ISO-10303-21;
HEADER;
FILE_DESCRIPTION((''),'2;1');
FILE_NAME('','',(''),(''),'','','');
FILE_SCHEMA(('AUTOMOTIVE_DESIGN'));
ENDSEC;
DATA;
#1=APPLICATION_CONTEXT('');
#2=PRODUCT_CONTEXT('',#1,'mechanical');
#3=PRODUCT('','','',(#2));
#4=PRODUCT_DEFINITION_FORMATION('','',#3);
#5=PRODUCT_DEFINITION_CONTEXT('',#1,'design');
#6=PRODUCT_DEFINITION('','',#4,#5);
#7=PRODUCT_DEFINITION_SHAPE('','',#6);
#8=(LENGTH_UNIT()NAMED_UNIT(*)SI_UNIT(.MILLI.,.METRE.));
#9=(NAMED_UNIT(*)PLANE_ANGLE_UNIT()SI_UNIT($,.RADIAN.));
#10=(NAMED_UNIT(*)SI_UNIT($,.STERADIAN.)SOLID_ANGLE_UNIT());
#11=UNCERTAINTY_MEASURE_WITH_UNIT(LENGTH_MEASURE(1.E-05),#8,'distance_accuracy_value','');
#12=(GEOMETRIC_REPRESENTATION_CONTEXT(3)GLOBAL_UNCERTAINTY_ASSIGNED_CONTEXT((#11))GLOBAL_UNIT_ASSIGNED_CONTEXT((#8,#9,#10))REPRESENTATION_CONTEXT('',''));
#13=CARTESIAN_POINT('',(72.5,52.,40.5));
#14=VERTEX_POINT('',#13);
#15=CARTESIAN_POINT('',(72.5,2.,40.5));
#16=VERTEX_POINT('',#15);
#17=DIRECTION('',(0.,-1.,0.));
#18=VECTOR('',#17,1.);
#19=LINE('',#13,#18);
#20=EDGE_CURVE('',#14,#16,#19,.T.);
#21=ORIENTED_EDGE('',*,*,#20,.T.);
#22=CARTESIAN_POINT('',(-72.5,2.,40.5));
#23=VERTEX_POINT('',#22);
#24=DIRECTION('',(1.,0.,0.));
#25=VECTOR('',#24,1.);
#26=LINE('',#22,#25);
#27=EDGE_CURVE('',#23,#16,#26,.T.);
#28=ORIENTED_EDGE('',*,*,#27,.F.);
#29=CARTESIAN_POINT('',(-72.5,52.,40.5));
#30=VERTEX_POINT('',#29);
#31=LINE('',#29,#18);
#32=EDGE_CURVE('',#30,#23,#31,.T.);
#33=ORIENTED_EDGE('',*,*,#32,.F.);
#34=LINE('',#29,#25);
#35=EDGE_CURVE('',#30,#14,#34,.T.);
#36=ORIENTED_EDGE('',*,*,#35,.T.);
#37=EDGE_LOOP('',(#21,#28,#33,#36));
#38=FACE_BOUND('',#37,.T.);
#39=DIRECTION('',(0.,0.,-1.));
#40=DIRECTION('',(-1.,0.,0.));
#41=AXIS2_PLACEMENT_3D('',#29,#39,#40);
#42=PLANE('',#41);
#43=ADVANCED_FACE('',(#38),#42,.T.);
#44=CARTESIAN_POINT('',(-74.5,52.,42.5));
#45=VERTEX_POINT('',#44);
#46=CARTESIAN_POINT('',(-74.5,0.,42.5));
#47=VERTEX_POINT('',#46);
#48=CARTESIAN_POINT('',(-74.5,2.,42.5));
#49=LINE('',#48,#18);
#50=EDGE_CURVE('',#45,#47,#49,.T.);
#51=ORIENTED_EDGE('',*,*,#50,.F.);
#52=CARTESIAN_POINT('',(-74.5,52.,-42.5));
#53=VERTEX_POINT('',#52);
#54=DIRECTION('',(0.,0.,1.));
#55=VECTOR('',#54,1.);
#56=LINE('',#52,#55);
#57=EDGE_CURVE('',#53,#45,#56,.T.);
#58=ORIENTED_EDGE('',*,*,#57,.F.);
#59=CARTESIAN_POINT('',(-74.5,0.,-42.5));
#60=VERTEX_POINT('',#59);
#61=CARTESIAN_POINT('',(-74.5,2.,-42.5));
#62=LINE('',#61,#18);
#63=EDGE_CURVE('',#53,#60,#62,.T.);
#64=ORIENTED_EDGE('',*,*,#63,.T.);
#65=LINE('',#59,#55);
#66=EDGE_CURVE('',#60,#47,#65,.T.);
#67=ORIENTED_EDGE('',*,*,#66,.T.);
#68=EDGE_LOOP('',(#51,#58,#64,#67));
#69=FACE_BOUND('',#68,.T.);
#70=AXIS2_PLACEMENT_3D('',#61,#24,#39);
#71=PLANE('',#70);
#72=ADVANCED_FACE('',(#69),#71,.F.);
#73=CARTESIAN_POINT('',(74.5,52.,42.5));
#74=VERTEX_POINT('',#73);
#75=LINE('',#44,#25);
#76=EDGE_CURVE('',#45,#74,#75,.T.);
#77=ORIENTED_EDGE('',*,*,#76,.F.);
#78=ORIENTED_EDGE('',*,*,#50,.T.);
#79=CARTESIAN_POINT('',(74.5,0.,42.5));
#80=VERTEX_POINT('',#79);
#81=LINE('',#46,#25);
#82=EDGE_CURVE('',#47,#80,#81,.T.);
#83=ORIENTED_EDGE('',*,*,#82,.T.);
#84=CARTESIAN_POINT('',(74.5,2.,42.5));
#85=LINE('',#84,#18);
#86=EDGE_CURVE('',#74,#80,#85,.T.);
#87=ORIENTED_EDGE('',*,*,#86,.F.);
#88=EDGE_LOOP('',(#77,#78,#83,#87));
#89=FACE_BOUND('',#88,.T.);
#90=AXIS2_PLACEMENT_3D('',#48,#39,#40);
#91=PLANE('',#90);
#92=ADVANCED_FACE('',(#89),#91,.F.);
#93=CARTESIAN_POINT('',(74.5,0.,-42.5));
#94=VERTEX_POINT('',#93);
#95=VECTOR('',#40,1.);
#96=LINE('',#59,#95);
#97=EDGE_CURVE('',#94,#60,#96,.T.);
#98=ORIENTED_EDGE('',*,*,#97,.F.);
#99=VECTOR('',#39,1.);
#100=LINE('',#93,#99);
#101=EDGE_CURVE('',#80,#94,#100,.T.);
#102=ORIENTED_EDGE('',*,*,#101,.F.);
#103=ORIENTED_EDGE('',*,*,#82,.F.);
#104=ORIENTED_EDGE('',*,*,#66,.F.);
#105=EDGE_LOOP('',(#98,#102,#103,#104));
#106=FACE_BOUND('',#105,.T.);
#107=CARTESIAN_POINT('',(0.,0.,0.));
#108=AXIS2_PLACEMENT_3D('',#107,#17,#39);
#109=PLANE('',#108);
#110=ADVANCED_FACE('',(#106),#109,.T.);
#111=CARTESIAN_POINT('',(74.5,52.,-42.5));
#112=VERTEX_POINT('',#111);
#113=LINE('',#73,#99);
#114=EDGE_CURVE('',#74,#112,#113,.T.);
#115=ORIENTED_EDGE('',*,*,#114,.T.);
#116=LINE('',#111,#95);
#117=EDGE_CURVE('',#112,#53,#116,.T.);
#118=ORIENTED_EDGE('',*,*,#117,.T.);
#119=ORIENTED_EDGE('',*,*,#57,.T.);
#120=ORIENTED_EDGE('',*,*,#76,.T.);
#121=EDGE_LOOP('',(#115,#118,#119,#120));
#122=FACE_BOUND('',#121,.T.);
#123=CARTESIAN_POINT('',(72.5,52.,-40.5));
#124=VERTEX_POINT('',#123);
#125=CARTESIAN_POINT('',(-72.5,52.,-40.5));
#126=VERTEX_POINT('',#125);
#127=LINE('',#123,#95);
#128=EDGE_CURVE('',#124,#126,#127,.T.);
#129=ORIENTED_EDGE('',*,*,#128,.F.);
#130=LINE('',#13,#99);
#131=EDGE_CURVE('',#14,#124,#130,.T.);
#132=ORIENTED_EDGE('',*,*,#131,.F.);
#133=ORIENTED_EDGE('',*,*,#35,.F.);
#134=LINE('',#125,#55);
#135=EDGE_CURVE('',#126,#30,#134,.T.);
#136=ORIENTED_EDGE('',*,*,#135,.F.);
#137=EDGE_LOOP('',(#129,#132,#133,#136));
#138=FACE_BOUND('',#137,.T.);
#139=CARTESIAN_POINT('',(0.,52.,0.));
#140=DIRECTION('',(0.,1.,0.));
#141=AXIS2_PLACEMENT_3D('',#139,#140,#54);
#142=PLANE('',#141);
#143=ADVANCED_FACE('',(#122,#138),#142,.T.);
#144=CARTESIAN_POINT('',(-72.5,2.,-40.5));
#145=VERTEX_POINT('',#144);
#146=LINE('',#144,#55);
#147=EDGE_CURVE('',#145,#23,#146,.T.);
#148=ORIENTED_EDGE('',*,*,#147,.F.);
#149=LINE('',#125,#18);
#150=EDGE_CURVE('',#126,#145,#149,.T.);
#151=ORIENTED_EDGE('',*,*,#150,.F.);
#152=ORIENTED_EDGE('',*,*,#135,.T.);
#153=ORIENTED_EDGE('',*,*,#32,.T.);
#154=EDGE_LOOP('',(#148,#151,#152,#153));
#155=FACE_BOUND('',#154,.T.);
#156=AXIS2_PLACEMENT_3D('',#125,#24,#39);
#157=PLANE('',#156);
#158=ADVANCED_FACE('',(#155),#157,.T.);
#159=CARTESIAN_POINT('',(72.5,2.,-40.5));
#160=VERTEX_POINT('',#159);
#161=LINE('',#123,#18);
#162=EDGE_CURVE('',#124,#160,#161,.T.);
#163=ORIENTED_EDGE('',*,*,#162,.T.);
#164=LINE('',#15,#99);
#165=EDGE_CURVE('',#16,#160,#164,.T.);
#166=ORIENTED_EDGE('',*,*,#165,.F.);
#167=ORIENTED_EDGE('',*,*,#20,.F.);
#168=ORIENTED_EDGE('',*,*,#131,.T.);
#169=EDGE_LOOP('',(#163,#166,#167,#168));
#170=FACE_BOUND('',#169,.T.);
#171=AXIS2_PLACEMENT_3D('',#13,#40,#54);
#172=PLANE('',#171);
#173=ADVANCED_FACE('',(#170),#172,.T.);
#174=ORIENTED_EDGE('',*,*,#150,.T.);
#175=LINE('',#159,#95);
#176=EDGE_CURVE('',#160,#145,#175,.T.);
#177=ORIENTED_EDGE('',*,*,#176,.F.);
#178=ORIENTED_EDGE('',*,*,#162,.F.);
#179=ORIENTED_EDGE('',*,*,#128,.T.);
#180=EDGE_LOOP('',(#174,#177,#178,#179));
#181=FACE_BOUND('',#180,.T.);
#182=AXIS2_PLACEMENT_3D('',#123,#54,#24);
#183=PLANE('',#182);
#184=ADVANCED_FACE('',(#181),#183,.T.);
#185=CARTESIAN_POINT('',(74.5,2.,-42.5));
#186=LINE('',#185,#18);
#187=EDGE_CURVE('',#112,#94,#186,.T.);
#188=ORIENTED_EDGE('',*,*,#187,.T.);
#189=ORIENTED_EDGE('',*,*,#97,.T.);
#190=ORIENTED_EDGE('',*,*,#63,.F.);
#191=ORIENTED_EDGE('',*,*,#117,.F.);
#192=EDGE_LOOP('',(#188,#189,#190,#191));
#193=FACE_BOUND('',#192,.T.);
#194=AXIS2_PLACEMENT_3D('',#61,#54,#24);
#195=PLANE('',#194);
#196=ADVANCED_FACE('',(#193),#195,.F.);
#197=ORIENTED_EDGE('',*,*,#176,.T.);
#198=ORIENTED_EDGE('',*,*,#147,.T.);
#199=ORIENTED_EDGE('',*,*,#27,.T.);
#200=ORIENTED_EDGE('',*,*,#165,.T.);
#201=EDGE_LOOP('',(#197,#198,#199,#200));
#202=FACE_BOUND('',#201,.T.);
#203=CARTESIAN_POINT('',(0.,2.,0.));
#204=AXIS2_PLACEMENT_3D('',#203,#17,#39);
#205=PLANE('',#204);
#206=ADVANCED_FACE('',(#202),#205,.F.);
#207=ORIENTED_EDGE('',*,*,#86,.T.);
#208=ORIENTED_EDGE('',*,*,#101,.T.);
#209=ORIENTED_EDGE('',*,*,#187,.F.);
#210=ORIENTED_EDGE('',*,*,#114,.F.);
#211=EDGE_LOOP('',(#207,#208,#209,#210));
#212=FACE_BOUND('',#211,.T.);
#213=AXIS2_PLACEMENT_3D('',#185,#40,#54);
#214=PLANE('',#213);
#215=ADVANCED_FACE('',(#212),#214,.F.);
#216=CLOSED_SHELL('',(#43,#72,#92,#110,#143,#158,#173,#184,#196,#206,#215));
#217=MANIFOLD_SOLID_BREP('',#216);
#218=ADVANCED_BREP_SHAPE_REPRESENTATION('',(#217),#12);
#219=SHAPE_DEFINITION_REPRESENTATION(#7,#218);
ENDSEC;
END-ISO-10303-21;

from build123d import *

# Parameters (mm, degrees)
SKETCH1_W           = 149
SKETCH1_H           = 85
BOSS_EXTRUDE1_DEPTH = 2
SKETCH2_W           = 149
SKETCH2_H           = 85
SKETCH2_W_2         = 145
SKETCH2_H_2         = 81
BOSS_EXTRUDE2_DEPTH = 50


with BuildPart() as part:
    # Sketch1 → Boss-Extrude1 (new body)
    with BuildSketch(Plane(origin=(0, 0, 0), x_dir=(1, 0, 0), z_dir=(0, 1, 0))):
        Rectangle(SKETCH1_W, SKETCH1_H)
    extrude(amount=BOSS_EXTRUDE1_DEPTH)

    # Sketch2 → Boss-Extrude2 (add)
    with BuildSketch(Plane(origin=(0, 2, 0), x_dir=(1, 0, 0), z_dir=(0, 1, 0))):
        Rectangle(SKETCH2_W, SKETCH2_H)
        Rectangle(SKETCH2_W_2, SKETCH2_H_2, mode=Mode.SUBTRACT)
    extrude(amount=BOSS_EXTRUDE2_DEPTH)


solid = part.part
